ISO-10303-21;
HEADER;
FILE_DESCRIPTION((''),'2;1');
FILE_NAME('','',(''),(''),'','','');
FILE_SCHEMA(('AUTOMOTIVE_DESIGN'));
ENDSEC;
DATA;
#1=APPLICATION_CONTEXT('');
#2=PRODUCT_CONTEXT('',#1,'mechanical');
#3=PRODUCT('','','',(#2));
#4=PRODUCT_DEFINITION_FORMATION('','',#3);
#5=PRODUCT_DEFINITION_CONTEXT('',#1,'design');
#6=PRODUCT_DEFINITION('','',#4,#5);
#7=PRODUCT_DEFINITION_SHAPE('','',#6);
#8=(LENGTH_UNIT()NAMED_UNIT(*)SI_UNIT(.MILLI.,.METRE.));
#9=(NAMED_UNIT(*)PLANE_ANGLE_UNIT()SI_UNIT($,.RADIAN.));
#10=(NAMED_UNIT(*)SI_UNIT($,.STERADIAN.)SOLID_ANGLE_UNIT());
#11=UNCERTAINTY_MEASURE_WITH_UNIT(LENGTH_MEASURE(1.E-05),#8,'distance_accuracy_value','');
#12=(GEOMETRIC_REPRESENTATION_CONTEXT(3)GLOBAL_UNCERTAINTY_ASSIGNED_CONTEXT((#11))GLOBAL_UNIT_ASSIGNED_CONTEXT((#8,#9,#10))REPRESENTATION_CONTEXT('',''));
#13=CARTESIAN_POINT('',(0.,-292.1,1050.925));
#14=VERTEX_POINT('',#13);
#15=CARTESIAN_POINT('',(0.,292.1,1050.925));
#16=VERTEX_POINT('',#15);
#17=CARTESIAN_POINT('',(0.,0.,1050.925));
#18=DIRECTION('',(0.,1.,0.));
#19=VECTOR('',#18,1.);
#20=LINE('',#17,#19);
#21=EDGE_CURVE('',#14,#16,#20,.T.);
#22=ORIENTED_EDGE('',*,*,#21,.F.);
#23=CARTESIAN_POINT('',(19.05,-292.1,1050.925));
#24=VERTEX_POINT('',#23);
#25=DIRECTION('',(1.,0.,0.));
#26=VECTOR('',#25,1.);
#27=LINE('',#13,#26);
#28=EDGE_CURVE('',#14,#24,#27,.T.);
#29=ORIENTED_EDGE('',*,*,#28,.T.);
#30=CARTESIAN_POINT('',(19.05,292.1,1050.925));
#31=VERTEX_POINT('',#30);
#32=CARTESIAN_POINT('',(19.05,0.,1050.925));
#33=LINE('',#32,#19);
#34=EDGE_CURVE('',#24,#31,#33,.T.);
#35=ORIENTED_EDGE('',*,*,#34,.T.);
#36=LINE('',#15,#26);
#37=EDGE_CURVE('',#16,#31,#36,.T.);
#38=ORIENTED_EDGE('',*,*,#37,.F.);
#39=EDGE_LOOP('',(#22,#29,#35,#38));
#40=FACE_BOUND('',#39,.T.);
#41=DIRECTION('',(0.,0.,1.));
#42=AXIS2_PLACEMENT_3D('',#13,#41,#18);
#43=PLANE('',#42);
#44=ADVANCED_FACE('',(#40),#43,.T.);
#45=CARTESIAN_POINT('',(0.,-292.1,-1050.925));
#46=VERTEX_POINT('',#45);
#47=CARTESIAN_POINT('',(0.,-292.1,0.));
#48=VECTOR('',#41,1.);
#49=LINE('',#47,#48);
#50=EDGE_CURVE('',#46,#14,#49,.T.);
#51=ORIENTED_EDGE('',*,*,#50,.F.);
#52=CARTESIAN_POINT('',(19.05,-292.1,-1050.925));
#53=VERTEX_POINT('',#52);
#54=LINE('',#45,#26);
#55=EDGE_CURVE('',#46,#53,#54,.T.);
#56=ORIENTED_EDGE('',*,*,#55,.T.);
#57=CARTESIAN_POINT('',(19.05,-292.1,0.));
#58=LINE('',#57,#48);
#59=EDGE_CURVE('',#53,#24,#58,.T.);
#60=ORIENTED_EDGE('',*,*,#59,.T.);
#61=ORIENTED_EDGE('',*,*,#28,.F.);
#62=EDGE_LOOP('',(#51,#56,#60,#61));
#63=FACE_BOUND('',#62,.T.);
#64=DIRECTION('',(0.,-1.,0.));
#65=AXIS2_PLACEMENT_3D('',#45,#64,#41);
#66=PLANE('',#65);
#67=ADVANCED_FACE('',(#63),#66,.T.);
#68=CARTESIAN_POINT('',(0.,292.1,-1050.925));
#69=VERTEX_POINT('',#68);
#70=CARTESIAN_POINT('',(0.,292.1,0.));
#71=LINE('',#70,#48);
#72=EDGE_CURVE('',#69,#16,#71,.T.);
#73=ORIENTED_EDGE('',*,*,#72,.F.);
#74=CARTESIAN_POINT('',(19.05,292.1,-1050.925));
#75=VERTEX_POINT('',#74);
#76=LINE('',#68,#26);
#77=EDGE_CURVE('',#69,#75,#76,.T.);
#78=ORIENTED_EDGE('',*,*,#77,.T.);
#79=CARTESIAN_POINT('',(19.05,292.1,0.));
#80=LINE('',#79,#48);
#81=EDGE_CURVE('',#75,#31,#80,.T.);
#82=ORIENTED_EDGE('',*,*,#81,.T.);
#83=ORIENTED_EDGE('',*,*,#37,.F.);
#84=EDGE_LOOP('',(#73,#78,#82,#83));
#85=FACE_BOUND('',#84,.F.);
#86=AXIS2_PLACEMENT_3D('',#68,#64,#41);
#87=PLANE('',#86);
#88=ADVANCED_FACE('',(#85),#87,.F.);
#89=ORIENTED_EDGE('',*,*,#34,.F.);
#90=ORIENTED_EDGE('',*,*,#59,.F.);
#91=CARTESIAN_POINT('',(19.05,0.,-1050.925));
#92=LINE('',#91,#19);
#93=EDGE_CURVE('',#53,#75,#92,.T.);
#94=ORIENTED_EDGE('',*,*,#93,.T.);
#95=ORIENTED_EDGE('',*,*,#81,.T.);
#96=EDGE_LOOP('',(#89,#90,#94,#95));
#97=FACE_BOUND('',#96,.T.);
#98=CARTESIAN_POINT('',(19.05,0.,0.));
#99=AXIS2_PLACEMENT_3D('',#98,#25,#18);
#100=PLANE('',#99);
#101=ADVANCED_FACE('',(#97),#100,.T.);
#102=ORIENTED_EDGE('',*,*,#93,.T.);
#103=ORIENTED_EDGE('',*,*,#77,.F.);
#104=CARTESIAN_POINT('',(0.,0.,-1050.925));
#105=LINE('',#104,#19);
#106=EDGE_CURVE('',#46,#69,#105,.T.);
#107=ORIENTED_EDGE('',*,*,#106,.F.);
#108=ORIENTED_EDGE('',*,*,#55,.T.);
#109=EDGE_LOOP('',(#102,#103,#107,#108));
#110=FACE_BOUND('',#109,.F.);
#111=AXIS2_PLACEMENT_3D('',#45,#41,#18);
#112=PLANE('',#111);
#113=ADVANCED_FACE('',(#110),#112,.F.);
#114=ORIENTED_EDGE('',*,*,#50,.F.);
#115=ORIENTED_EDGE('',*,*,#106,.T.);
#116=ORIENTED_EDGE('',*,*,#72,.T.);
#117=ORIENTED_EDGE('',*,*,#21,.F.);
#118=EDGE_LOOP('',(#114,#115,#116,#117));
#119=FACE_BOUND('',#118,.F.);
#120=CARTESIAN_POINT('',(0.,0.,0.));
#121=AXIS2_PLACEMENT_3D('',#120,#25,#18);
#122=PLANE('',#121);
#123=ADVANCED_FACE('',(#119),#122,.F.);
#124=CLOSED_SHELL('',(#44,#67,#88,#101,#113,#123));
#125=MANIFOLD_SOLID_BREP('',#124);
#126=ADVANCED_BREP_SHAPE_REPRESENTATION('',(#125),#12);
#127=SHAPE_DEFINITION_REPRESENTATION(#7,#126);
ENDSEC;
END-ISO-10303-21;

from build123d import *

# Parameters (mm, degrees)
F0_W      = 584.2
F0_H      = 2101.85
F1_DEPTH  = 28.575
F1_FACE_W = 584.2
F1_FACE_H = 2101.85
F2_DEPTH  = 9.525


with BuildPart() as f1:
    # F0 (on Right) → F1 (new body)
    with BuildSketch(Plane.YZ):
        Rectangle(F0_W, F0_H)
    extrude(amount=F1_DEPTH)

    # F1_face (on face) → F2 (cut)
    with BuildSketch(Plane.YZ.offset(28.575)):
        Rectangle(F1_FACE_W, F1_FACE_H)
    extrude(amount=-F2_DEPTH, mode=Mode.SUBTRACT)


solid = f1.part
